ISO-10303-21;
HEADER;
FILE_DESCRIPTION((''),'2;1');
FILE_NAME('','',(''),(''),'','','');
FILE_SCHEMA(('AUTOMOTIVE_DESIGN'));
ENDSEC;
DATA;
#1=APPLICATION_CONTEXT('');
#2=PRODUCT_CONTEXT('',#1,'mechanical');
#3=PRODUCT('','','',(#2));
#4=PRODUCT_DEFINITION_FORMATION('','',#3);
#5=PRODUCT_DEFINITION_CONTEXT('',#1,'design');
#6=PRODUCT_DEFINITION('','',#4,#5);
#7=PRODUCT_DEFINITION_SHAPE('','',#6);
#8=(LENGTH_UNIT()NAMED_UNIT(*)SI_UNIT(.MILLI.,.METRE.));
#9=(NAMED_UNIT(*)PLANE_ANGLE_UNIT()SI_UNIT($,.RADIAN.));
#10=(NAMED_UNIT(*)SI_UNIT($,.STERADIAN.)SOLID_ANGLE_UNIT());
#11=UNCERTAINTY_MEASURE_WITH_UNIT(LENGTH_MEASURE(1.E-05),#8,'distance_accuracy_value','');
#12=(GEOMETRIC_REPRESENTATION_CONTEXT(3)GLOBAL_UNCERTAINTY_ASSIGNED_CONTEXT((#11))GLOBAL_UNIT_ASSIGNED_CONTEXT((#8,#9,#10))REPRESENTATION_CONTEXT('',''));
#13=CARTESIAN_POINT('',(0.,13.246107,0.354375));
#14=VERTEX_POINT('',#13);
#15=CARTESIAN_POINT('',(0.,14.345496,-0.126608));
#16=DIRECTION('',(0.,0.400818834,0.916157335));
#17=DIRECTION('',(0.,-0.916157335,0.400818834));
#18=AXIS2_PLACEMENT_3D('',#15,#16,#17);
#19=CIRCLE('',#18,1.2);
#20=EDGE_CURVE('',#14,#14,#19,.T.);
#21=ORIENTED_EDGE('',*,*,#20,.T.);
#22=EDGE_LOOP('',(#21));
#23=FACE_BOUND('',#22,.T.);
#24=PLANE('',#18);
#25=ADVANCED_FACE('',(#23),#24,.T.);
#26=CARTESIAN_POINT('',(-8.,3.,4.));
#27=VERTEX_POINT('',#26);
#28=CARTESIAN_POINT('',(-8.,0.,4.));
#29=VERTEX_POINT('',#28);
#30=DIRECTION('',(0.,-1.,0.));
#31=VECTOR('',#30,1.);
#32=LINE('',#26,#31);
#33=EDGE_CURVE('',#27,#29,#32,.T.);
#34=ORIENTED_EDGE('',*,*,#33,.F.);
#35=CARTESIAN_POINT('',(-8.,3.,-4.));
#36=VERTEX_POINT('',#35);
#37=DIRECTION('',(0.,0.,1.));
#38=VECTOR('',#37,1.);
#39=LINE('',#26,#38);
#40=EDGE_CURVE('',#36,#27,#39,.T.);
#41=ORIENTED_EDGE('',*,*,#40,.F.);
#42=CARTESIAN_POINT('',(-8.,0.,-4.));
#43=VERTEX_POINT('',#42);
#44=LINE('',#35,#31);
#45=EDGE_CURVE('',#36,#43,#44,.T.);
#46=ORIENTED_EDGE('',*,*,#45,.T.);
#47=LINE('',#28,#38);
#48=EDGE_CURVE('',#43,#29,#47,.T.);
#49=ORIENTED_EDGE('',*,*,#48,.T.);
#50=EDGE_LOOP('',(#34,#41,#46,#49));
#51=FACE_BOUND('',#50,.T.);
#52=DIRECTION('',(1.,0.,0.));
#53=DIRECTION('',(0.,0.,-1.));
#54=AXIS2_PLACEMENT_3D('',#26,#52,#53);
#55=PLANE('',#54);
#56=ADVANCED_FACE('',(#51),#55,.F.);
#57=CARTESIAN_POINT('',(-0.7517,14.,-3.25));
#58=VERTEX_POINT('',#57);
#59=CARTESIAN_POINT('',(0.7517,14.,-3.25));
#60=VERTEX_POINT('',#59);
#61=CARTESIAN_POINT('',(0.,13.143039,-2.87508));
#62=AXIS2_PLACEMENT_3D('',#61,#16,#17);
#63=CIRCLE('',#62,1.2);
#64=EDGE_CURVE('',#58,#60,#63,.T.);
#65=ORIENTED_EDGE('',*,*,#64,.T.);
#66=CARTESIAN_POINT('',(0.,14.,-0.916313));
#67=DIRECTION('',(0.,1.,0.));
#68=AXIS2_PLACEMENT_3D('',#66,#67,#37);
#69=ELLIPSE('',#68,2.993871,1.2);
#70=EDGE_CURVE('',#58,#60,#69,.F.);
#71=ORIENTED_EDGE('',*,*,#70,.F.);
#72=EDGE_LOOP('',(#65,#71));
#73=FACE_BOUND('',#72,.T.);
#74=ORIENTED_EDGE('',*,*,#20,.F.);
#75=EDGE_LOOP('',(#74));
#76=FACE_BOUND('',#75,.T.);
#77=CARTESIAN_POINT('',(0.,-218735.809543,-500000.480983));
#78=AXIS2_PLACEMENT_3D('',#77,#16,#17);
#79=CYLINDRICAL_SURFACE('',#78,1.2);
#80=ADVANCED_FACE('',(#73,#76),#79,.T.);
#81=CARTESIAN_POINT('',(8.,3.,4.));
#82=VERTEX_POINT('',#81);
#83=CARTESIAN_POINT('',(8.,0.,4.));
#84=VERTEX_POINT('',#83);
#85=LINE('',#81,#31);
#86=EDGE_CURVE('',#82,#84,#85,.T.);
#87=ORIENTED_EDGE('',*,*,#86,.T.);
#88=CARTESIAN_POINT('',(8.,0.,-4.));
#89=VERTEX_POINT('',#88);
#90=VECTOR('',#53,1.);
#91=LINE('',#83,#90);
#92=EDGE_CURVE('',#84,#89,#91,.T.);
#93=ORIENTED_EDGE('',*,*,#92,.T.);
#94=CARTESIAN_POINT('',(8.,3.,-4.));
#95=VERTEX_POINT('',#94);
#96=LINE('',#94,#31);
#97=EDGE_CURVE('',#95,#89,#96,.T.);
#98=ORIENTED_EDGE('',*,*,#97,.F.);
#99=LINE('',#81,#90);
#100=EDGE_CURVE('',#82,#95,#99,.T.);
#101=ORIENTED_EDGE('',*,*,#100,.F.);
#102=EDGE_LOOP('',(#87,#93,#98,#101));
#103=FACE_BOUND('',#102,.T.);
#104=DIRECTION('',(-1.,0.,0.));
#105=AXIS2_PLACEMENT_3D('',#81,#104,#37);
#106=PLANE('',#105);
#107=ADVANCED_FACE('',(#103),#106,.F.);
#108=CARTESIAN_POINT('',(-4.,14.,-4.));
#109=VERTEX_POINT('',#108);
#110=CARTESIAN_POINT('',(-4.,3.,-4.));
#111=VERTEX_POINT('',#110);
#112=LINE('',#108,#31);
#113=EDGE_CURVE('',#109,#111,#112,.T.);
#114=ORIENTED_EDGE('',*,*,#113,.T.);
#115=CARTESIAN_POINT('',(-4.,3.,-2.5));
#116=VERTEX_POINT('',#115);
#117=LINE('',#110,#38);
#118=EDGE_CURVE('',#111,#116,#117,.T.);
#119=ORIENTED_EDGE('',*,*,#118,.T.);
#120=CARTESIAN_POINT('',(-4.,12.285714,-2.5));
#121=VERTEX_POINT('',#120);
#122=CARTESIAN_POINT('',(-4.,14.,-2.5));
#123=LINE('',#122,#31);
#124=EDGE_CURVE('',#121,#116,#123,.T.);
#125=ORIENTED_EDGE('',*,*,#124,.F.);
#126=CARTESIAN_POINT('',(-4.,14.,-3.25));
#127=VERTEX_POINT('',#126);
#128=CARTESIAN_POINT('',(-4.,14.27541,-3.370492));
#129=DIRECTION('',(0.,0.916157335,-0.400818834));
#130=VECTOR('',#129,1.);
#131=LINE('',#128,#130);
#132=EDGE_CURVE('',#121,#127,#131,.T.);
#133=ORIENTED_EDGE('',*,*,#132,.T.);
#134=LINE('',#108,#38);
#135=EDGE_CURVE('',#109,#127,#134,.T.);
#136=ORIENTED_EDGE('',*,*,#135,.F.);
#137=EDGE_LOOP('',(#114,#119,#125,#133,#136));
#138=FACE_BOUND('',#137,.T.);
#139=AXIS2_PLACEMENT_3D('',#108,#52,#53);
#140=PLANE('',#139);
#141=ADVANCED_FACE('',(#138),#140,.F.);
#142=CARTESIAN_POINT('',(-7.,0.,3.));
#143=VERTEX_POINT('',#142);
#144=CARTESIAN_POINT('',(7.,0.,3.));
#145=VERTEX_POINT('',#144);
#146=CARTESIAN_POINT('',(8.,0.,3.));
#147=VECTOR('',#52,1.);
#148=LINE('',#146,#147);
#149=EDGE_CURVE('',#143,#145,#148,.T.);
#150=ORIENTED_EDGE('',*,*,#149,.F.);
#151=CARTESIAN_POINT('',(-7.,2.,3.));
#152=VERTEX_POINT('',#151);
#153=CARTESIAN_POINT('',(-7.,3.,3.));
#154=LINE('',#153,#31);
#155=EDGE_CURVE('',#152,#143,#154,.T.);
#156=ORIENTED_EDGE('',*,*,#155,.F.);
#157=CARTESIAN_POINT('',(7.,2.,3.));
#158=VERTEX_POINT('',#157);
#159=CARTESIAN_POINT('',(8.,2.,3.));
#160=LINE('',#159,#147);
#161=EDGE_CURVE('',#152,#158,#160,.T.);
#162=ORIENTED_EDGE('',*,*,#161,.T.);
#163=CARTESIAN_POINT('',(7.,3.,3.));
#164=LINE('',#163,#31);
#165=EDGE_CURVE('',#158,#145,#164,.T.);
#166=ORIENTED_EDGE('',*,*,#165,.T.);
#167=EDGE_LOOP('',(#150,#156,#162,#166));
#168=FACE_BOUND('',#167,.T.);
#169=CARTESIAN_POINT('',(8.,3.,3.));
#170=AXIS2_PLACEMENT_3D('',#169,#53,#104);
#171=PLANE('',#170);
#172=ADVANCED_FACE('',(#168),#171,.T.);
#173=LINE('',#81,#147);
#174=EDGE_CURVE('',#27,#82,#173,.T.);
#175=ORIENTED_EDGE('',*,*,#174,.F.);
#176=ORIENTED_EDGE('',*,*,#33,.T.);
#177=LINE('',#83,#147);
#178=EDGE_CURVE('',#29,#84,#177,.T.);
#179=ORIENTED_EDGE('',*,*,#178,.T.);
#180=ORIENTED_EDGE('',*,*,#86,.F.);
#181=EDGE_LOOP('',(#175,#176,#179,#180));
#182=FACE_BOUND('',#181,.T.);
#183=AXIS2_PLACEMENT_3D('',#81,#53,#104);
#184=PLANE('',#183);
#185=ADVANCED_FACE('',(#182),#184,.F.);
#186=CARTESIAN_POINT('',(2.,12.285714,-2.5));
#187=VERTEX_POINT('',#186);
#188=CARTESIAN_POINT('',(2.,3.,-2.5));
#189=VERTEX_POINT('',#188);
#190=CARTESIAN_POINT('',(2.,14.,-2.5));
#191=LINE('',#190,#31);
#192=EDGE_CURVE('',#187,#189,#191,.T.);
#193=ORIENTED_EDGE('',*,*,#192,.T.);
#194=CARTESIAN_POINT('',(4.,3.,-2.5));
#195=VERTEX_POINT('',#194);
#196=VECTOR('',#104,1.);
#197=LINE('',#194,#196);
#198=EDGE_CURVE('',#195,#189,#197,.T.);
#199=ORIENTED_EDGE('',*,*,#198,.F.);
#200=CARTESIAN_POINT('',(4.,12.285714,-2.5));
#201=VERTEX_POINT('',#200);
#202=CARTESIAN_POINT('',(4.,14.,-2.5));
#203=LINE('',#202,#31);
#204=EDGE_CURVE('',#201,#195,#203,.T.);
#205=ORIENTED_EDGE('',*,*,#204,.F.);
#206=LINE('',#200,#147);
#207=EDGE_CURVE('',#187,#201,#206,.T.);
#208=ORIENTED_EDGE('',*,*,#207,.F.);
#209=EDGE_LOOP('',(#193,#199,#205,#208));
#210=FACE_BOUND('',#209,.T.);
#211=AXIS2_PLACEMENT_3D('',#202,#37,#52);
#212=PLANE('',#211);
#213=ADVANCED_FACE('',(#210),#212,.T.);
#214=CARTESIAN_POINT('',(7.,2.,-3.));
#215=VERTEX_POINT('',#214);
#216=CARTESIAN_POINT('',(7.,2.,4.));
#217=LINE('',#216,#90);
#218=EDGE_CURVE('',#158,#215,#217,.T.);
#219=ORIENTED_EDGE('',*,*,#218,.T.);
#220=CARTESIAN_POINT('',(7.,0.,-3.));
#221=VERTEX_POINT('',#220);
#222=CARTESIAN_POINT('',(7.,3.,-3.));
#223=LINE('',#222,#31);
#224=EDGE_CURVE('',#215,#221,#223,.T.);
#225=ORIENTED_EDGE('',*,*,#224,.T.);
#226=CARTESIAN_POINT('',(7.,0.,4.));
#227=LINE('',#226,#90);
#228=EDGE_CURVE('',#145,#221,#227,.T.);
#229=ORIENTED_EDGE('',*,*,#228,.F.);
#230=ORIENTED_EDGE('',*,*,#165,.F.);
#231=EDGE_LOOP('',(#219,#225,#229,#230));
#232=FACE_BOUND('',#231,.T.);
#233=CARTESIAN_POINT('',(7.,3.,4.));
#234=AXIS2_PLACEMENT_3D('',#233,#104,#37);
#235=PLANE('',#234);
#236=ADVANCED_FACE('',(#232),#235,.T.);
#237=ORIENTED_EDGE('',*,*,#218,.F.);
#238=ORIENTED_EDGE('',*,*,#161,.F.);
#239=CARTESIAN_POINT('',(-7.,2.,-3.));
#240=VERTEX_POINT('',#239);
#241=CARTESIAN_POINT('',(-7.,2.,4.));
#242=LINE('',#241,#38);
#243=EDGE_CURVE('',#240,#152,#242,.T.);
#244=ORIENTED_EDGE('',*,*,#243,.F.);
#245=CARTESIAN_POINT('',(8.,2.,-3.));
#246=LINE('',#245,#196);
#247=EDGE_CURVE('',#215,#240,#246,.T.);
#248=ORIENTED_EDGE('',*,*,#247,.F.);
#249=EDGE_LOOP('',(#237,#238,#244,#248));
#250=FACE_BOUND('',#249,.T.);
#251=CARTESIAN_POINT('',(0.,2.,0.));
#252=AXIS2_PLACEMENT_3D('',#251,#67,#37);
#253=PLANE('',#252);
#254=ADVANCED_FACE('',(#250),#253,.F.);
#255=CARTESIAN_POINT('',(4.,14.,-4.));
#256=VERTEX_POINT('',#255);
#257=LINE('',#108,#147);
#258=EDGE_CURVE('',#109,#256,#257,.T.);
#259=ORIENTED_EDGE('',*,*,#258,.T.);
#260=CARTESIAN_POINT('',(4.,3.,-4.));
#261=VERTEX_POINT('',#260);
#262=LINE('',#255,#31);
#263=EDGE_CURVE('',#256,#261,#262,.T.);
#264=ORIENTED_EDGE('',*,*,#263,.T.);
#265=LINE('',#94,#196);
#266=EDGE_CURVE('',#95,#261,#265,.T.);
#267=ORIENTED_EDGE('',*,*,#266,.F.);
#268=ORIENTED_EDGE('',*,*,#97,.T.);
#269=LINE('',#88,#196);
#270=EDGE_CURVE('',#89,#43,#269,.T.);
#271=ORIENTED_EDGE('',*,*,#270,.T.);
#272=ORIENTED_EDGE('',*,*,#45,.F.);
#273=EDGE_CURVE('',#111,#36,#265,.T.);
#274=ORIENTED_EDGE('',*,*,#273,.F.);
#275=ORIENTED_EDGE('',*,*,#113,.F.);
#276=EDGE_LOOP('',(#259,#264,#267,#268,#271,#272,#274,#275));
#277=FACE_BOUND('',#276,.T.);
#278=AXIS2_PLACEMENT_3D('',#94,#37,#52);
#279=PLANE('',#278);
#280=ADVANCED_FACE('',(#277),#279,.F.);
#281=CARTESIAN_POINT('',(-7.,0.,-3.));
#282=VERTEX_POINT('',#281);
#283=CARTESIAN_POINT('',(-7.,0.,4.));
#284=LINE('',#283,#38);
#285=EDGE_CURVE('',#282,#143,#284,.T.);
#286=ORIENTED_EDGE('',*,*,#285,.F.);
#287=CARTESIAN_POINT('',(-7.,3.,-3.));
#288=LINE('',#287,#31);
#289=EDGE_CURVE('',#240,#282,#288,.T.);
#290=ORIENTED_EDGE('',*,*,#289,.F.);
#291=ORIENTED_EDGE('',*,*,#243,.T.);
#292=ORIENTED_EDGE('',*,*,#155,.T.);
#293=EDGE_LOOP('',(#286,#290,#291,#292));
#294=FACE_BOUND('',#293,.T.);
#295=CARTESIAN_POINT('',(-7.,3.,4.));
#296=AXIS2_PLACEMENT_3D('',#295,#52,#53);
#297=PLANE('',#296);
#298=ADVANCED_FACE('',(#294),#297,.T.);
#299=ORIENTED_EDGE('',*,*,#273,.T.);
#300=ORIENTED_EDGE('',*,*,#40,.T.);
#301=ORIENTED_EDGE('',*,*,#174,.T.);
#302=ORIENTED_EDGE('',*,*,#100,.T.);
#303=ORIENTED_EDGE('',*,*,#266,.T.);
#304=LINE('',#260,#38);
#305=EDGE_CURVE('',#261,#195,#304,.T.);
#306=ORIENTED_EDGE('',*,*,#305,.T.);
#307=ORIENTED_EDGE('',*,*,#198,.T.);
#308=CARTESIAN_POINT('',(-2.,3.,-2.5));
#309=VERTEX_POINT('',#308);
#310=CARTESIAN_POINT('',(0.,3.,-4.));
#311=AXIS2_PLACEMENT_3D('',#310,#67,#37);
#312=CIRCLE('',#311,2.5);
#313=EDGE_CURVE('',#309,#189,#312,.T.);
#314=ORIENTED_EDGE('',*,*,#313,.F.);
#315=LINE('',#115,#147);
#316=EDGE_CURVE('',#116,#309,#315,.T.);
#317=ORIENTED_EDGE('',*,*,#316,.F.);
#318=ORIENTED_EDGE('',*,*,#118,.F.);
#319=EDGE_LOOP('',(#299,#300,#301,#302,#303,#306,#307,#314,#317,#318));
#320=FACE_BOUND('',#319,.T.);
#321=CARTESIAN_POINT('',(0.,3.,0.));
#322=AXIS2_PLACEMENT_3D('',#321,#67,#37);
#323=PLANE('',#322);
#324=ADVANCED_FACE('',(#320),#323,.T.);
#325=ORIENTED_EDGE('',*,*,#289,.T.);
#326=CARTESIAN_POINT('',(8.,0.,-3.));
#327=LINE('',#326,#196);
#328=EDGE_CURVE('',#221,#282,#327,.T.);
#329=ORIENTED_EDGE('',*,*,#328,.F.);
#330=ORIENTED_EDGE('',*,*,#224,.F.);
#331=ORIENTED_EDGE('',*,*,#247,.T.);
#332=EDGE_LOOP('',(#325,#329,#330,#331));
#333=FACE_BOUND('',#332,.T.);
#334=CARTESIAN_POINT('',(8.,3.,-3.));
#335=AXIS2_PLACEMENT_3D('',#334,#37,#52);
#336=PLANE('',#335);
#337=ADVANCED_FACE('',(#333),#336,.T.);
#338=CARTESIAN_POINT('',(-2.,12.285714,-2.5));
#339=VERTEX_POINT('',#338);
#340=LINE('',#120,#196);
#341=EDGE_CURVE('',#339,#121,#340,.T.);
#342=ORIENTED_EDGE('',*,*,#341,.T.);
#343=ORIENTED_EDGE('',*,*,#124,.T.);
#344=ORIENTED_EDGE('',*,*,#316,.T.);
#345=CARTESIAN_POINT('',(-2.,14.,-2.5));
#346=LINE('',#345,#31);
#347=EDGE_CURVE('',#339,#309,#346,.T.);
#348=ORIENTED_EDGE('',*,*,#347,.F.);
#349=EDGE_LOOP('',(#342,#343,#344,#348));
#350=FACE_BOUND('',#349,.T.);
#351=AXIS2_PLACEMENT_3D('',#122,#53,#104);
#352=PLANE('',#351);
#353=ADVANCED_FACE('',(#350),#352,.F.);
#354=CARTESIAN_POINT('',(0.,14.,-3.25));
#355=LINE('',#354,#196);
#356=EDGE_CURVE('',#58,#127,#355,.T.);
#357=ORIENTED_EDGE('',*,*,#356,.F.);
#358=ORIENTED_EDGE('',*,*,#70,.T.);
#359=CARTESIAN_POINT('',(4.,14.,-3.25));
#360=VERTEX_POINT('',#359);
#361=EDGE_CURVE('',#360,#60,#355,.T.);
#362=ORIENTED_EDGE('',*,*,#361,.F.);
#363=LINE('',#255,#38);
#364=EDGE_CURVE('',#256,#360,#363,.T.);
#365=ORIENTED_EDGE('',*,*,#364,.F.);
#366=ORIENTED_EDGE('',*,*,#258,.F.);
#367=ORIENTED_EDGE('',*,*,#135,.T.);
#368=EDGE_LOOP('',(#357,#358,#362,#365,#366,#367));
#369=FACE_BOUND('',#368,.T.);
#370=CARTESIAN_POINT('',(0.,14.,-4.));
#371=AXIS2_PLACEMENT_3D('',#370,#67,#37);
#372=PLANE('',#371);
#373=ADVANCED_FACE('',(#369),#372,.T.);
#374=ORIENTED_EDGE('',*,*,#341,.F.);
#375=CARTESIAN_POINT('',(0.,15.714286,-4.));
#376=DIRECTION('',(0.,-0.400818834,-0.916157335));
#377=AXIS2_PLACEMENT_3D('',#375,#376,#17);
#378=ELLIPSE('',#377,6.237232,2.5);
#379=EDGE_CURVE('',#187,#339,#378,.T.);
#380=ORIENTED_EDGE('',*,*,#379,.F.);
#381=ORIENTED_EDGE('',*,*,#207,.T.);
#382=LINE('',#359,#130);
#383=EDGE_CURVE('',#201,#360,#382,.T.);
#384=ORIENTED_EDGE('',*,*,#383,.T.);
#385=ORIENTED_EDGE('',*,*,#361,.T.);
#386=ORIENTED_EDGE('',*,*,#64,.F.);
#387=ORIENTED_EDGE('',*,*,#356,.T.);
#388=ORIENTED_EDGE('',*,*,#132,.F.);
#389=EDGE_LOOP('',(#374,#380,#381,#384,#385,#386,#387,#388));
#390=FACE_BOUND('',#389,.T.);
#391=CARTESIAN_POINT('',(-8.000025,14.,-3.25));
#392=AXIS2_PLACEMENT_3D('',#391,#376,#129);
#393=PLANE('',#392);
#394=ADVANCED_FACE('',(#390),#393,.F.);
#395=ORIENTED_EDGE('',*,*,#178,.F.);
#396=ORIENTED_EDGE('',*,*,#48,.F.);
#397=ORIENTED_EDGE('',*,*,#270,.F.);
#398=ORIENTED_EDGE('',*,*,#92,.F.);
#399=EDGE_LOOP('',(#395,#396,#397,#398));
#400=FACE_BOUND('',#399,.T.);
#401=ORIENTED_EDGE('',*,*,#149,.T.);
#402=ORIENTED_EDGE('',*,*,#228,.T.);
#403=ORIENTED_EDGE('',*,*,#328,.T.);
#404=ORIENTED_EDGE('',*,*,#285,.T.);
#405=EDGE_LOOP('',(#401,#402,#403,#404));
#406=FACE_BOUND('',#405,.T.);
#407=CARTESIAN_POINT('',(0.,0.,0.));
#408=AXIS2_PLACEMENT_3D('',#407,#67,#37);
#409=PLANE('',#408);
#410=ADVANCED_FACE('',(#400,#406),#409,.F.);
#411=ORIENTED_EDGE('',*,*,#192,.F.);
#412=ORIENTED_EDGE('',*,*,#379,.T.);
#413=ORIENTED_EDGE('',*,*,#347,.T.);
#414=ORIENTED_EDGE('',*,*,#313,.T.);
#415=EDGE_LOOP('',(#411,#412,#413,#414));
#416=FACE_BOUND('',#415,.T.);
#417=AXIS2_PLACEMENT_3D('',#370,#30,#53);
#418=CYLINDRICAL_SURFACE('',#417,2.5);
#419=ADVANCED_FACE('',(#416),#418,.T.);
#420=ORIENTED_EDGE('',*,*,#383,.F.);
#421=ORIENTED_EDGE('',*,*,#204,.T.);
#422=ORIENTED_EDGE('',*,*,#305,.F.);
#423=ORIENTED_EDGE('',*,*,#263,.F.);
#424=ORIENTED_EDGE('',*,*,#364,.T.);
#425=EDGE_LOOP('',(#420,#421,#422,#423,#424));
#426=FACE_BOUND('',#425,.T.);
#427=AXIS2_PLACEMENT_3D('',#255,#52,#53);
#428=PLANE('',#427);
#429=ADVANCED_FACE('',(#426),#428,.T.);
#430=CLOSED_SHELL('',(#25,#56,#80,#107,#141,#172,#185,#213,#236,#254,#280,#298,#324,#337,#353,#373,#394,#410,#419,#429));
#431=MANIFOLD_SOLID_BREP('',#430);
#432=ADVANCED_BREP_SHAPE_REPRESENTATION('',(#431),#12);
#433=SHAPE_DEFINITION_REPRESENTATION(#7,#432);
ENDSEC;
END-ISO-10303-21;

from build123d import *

# Parameters (mm, degrees)
SKETCH1_W                       = 16
SKETCH1_H                       = 8
BOSS_EXTRUDE1_DEPTH             = 3
SHELL1_T                        = -1
BOSS_EXTRUDE2_DEPTH             = 11
CUT_EXTRUDE1_DEPTH              = 13
SKETCH4_R                       = 1.2
BOSS_EXTRUDE3_DEPTH             = 3
BOSS_EXTRUDE3_DIRECTION_2_REACH = 8.299


with BuildPart() as part:
    # Sketch1 → Boss-Extrude1 (new body)
    with BuildSketch(Plane(origin=(0, 0, 0), x_dir=(1, 0, 0), z_dir=(0, 1, 0))):
        Rectangle(SKETCH1_W, SKETCH1_H)
    extrude(amount=BOSS_EXTRUDE1_DEPTH)

    # Shell1
    shell1_openings = [part.faces().sort_by_distance(p)[0] for p in [
        (0, 0, 0),
    ]]
    offset(amount=SHELL1_T, openings=shell1_openings, kind=Kind.INTERSECTION)

    # Sketch2 → Boss-Extrude2 (add)
    with BuildSketch(Plane(origin=(0, 3, 0), x_dir=(1, 0, 0), z_dir=(0, 1, 0))):
        with BuildLine():
            Line((-4, 4), (4, 4))
            Line((4, 4), (4, 2.5))
            Line((4, 2.5), (2, 2.5))
            ThreePointArc((2, 2.5), (0, 1.5), (-2, 2.5))
            Line((-2, 2.5), (-4, 2.5))
            Line((-4, 2.5), (-4, 4))
        make_face()
    extrude(amount=BOSS_EXTRUDE2_DEPTH)

    # Sketch3 → Cut-Extrude1 (cut, through all)
    with BuildSketch(Plane(origin=(4, 0, 0), x_dir=(0, 0, -1), z_dir=(1, 0, 0))):
        Polygon((1.5, 14), (1.5, 10), (3.25, 14), align=None)
    extrude(amount=-CUT_EXTRUDE1_DEPTH, mode=Mode.SUBTRACT)

    # Sketch4 → Boss-Extrude3 (add)
    with BuildSketch(Plane(origin=(0, 1.055737705, 2.413114754), x_dir=(1, 0, 0), z_dir=(0, 0.400818834, 0.916157335))):
        with Locations((0, 13.193478025)):
            Circle(SKETCH4_R)
    extrude(amount=BOSS_EXTRUDE3_DEPTH)

    # Sketch4 → Boss-Extrude3 direction 2 (add, up to next)
    with BuildSketch(Plane(origin=(0, 1.055737705, 2.413114754), x_dir=(1, 0, 0), z_dir=(0, 0.400818834, 0.916157335)), mode=Mode.PRIVATE) as boss_extrude3_direction_2_sk1:
        with Locations((0, 13.193478025)):
            Circle(SKETCH4_R)
    boss_extrude3_direction_2_tool1 = extrude(boss_extrude3_direction_2_sk1.sketch, amount=-BOSS_EXTRUDE3_DIRECTION_2_REACH, mode=Mode.PRIVATE) - part.part
    add(boss_extrude3_direction_2_tool1.solids().sort_by_distance((0, 13.143039, -2.87508))[0])


solid = part.part
